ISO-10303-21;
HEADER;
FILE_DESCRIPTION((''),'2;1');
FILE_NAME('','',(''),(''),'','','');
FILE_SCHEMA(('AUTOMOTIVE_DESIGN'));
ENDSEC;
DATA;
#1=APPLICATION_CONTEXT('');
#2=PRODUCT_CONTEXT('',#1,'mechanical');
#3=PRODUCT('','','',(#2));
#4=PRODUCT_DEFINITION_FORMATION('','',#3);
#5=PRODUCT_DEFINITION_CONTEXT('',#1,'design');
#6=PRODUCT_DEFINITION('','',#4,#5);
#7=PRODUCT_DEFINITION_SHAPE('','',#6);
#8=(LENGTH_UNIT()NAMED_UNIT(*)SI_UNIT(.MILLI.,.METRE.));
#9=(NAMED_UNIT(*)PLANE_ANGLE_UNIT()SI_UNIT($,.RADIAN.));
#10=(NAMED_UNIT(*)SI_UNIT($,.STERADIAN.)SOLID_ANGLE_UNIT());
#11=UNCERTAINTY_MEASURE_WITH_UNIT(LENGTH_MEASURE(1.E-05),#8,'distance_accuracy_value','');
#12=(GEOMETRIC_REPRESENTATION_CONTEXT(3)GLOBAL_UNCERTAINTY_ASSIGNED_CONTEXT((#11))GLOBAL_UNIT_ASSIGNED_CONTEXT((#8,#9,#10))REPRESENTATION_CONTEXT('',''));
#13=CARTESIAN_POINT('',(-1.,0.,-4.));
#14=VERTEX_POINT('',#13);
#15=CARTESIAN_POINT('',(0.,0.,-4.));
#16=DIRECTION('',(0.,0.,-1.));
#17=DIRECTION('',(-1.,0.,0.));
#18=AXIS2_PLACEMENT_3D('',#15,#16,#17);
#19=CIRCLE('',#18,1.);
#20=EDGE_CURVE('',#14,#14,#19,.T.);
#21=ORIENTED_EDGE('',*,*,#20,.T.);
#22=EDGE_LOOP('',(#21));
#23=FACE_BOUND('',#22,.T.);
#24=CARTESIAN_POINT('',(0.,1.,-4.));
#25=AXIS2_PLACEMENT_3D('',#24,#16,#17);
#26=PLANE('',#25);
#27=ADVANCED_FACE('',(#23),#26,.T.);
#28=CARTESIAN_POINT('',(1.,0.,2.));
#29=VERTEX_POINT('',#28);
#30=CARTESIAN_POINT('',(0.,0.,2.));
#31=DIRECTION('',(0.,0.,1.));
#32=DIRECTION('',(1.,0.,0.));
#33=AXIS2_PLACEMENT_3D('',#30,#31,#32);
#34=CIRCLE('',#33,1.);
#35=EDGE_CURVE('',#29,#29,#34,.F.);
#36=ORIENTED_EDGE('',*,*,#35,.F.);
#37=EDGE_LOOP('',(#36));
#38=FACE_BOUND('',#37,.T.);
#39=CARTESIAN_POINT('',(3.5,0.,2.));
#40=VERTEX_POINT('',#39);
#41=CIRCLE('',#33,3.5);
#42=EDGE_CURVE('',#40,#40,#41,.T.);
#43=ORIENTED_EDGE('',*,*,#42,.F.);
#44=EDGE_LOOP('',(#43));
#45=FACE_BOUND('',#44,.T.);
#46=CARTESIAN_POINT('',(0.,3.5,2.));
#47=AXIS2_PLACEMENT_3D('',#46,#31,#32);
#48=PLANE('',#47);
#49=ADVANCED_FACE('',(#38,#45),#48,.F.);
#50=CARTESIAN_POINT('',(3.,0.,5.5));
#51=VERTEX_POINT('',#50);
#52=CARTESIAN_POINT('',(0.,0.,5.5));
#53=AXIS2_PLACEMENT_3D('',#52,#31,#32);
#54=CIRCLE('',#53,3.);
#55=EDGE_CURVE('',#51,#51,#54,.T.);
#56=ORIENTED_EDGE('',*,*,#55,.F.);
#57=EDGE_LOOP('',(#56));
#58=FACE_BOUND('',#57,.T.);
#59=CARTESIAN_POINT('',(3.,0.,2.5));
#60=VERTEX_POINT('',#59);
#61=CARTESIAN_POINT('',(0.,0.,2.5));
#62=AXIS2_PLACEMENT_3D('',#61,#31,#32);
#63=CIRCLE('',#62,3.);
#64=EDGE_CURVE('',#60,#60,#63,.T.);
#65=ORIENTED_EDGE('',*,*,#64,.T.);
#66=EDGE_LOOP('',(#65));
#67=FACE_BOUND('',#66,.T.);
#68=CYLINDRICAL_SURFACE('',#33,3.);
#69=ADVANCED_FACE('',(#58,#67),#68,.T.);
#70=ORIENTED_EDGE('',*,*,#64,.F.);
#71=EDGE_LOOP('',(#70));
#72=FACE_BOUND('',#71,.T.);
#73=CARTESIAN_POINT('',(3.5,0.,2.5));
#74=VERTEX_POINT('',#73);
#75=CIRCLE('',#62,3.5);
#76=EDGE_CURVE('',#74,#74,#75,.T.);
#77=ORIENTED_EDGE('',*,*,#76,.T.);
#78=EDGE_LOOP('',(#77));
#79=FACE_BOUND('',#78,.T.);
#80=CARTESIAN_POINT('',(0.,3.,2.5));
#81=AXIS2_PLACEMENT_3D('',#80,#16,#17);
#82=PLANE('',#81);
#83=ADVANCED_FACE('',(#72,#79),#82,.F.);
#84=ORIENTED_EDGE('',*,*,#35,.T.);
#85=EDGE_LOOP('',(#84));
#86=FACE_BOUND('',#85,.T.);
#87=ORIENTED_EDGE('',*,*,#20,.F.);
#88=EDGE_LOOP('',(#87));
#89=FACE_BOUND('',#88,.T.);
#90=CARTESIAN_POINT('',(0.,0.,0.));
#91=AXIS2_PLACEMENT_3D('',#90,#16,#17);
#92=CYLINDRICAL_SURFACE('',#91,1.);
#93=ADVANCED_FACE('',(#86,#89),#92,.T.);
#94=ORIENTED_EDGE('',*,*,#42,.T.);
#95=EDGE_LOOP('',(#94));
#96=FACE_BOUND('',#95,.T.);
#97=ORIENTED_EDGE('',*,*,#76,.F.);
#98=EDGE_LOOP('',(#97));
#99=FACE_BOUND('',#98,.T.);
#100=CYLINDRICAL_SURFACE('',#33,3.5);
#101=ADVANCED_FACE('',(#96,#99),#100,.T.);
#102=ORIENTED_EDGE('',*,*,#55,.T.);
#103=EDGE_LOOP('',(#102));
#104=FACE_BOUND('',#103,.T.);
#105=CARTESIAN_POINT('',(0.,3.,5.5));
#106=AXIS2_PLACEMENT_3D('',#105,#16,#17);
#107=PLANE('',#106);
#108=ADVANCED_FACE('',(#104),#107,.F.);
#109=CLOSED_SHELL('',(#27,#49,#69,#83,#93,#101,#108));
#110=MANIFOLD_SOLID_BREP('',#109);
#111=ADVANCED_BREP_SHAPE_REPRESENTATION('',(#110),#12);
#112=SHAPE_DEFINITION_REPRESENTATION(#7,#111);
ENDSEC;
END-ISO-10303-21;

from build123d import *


with BuildPart() as part:
    # Skizze1 → Rotation1 (revolve)
    with BuildSketch(Plane(origin=(0, 0, 0), x_dir=(0, 0, -1), z_dir=(1, 0, 0))):
        Polygon((4, 1), (4, 0), (-4, 0), (-3, 1), align=None)
    revolve(axis=Axis((0, 0, 0), (0, 0, 1)))

    # Skizze2 → Rotation2 (revolve)
    with BuildSketch(Plane(origin=(0, 0, 0), x_dir=(0, 0, -1), z_dir=(1, 0, 0))):
        Polygon((-2.5, 3), (-5.5, 3), (-5.5, 0), (-2, 0), (-2, 3.5), (-2.5, 3.5), align=None)
    revolve(axis=Axis((0, 0, 2), (0, 0, -1)))


solid = part.part
